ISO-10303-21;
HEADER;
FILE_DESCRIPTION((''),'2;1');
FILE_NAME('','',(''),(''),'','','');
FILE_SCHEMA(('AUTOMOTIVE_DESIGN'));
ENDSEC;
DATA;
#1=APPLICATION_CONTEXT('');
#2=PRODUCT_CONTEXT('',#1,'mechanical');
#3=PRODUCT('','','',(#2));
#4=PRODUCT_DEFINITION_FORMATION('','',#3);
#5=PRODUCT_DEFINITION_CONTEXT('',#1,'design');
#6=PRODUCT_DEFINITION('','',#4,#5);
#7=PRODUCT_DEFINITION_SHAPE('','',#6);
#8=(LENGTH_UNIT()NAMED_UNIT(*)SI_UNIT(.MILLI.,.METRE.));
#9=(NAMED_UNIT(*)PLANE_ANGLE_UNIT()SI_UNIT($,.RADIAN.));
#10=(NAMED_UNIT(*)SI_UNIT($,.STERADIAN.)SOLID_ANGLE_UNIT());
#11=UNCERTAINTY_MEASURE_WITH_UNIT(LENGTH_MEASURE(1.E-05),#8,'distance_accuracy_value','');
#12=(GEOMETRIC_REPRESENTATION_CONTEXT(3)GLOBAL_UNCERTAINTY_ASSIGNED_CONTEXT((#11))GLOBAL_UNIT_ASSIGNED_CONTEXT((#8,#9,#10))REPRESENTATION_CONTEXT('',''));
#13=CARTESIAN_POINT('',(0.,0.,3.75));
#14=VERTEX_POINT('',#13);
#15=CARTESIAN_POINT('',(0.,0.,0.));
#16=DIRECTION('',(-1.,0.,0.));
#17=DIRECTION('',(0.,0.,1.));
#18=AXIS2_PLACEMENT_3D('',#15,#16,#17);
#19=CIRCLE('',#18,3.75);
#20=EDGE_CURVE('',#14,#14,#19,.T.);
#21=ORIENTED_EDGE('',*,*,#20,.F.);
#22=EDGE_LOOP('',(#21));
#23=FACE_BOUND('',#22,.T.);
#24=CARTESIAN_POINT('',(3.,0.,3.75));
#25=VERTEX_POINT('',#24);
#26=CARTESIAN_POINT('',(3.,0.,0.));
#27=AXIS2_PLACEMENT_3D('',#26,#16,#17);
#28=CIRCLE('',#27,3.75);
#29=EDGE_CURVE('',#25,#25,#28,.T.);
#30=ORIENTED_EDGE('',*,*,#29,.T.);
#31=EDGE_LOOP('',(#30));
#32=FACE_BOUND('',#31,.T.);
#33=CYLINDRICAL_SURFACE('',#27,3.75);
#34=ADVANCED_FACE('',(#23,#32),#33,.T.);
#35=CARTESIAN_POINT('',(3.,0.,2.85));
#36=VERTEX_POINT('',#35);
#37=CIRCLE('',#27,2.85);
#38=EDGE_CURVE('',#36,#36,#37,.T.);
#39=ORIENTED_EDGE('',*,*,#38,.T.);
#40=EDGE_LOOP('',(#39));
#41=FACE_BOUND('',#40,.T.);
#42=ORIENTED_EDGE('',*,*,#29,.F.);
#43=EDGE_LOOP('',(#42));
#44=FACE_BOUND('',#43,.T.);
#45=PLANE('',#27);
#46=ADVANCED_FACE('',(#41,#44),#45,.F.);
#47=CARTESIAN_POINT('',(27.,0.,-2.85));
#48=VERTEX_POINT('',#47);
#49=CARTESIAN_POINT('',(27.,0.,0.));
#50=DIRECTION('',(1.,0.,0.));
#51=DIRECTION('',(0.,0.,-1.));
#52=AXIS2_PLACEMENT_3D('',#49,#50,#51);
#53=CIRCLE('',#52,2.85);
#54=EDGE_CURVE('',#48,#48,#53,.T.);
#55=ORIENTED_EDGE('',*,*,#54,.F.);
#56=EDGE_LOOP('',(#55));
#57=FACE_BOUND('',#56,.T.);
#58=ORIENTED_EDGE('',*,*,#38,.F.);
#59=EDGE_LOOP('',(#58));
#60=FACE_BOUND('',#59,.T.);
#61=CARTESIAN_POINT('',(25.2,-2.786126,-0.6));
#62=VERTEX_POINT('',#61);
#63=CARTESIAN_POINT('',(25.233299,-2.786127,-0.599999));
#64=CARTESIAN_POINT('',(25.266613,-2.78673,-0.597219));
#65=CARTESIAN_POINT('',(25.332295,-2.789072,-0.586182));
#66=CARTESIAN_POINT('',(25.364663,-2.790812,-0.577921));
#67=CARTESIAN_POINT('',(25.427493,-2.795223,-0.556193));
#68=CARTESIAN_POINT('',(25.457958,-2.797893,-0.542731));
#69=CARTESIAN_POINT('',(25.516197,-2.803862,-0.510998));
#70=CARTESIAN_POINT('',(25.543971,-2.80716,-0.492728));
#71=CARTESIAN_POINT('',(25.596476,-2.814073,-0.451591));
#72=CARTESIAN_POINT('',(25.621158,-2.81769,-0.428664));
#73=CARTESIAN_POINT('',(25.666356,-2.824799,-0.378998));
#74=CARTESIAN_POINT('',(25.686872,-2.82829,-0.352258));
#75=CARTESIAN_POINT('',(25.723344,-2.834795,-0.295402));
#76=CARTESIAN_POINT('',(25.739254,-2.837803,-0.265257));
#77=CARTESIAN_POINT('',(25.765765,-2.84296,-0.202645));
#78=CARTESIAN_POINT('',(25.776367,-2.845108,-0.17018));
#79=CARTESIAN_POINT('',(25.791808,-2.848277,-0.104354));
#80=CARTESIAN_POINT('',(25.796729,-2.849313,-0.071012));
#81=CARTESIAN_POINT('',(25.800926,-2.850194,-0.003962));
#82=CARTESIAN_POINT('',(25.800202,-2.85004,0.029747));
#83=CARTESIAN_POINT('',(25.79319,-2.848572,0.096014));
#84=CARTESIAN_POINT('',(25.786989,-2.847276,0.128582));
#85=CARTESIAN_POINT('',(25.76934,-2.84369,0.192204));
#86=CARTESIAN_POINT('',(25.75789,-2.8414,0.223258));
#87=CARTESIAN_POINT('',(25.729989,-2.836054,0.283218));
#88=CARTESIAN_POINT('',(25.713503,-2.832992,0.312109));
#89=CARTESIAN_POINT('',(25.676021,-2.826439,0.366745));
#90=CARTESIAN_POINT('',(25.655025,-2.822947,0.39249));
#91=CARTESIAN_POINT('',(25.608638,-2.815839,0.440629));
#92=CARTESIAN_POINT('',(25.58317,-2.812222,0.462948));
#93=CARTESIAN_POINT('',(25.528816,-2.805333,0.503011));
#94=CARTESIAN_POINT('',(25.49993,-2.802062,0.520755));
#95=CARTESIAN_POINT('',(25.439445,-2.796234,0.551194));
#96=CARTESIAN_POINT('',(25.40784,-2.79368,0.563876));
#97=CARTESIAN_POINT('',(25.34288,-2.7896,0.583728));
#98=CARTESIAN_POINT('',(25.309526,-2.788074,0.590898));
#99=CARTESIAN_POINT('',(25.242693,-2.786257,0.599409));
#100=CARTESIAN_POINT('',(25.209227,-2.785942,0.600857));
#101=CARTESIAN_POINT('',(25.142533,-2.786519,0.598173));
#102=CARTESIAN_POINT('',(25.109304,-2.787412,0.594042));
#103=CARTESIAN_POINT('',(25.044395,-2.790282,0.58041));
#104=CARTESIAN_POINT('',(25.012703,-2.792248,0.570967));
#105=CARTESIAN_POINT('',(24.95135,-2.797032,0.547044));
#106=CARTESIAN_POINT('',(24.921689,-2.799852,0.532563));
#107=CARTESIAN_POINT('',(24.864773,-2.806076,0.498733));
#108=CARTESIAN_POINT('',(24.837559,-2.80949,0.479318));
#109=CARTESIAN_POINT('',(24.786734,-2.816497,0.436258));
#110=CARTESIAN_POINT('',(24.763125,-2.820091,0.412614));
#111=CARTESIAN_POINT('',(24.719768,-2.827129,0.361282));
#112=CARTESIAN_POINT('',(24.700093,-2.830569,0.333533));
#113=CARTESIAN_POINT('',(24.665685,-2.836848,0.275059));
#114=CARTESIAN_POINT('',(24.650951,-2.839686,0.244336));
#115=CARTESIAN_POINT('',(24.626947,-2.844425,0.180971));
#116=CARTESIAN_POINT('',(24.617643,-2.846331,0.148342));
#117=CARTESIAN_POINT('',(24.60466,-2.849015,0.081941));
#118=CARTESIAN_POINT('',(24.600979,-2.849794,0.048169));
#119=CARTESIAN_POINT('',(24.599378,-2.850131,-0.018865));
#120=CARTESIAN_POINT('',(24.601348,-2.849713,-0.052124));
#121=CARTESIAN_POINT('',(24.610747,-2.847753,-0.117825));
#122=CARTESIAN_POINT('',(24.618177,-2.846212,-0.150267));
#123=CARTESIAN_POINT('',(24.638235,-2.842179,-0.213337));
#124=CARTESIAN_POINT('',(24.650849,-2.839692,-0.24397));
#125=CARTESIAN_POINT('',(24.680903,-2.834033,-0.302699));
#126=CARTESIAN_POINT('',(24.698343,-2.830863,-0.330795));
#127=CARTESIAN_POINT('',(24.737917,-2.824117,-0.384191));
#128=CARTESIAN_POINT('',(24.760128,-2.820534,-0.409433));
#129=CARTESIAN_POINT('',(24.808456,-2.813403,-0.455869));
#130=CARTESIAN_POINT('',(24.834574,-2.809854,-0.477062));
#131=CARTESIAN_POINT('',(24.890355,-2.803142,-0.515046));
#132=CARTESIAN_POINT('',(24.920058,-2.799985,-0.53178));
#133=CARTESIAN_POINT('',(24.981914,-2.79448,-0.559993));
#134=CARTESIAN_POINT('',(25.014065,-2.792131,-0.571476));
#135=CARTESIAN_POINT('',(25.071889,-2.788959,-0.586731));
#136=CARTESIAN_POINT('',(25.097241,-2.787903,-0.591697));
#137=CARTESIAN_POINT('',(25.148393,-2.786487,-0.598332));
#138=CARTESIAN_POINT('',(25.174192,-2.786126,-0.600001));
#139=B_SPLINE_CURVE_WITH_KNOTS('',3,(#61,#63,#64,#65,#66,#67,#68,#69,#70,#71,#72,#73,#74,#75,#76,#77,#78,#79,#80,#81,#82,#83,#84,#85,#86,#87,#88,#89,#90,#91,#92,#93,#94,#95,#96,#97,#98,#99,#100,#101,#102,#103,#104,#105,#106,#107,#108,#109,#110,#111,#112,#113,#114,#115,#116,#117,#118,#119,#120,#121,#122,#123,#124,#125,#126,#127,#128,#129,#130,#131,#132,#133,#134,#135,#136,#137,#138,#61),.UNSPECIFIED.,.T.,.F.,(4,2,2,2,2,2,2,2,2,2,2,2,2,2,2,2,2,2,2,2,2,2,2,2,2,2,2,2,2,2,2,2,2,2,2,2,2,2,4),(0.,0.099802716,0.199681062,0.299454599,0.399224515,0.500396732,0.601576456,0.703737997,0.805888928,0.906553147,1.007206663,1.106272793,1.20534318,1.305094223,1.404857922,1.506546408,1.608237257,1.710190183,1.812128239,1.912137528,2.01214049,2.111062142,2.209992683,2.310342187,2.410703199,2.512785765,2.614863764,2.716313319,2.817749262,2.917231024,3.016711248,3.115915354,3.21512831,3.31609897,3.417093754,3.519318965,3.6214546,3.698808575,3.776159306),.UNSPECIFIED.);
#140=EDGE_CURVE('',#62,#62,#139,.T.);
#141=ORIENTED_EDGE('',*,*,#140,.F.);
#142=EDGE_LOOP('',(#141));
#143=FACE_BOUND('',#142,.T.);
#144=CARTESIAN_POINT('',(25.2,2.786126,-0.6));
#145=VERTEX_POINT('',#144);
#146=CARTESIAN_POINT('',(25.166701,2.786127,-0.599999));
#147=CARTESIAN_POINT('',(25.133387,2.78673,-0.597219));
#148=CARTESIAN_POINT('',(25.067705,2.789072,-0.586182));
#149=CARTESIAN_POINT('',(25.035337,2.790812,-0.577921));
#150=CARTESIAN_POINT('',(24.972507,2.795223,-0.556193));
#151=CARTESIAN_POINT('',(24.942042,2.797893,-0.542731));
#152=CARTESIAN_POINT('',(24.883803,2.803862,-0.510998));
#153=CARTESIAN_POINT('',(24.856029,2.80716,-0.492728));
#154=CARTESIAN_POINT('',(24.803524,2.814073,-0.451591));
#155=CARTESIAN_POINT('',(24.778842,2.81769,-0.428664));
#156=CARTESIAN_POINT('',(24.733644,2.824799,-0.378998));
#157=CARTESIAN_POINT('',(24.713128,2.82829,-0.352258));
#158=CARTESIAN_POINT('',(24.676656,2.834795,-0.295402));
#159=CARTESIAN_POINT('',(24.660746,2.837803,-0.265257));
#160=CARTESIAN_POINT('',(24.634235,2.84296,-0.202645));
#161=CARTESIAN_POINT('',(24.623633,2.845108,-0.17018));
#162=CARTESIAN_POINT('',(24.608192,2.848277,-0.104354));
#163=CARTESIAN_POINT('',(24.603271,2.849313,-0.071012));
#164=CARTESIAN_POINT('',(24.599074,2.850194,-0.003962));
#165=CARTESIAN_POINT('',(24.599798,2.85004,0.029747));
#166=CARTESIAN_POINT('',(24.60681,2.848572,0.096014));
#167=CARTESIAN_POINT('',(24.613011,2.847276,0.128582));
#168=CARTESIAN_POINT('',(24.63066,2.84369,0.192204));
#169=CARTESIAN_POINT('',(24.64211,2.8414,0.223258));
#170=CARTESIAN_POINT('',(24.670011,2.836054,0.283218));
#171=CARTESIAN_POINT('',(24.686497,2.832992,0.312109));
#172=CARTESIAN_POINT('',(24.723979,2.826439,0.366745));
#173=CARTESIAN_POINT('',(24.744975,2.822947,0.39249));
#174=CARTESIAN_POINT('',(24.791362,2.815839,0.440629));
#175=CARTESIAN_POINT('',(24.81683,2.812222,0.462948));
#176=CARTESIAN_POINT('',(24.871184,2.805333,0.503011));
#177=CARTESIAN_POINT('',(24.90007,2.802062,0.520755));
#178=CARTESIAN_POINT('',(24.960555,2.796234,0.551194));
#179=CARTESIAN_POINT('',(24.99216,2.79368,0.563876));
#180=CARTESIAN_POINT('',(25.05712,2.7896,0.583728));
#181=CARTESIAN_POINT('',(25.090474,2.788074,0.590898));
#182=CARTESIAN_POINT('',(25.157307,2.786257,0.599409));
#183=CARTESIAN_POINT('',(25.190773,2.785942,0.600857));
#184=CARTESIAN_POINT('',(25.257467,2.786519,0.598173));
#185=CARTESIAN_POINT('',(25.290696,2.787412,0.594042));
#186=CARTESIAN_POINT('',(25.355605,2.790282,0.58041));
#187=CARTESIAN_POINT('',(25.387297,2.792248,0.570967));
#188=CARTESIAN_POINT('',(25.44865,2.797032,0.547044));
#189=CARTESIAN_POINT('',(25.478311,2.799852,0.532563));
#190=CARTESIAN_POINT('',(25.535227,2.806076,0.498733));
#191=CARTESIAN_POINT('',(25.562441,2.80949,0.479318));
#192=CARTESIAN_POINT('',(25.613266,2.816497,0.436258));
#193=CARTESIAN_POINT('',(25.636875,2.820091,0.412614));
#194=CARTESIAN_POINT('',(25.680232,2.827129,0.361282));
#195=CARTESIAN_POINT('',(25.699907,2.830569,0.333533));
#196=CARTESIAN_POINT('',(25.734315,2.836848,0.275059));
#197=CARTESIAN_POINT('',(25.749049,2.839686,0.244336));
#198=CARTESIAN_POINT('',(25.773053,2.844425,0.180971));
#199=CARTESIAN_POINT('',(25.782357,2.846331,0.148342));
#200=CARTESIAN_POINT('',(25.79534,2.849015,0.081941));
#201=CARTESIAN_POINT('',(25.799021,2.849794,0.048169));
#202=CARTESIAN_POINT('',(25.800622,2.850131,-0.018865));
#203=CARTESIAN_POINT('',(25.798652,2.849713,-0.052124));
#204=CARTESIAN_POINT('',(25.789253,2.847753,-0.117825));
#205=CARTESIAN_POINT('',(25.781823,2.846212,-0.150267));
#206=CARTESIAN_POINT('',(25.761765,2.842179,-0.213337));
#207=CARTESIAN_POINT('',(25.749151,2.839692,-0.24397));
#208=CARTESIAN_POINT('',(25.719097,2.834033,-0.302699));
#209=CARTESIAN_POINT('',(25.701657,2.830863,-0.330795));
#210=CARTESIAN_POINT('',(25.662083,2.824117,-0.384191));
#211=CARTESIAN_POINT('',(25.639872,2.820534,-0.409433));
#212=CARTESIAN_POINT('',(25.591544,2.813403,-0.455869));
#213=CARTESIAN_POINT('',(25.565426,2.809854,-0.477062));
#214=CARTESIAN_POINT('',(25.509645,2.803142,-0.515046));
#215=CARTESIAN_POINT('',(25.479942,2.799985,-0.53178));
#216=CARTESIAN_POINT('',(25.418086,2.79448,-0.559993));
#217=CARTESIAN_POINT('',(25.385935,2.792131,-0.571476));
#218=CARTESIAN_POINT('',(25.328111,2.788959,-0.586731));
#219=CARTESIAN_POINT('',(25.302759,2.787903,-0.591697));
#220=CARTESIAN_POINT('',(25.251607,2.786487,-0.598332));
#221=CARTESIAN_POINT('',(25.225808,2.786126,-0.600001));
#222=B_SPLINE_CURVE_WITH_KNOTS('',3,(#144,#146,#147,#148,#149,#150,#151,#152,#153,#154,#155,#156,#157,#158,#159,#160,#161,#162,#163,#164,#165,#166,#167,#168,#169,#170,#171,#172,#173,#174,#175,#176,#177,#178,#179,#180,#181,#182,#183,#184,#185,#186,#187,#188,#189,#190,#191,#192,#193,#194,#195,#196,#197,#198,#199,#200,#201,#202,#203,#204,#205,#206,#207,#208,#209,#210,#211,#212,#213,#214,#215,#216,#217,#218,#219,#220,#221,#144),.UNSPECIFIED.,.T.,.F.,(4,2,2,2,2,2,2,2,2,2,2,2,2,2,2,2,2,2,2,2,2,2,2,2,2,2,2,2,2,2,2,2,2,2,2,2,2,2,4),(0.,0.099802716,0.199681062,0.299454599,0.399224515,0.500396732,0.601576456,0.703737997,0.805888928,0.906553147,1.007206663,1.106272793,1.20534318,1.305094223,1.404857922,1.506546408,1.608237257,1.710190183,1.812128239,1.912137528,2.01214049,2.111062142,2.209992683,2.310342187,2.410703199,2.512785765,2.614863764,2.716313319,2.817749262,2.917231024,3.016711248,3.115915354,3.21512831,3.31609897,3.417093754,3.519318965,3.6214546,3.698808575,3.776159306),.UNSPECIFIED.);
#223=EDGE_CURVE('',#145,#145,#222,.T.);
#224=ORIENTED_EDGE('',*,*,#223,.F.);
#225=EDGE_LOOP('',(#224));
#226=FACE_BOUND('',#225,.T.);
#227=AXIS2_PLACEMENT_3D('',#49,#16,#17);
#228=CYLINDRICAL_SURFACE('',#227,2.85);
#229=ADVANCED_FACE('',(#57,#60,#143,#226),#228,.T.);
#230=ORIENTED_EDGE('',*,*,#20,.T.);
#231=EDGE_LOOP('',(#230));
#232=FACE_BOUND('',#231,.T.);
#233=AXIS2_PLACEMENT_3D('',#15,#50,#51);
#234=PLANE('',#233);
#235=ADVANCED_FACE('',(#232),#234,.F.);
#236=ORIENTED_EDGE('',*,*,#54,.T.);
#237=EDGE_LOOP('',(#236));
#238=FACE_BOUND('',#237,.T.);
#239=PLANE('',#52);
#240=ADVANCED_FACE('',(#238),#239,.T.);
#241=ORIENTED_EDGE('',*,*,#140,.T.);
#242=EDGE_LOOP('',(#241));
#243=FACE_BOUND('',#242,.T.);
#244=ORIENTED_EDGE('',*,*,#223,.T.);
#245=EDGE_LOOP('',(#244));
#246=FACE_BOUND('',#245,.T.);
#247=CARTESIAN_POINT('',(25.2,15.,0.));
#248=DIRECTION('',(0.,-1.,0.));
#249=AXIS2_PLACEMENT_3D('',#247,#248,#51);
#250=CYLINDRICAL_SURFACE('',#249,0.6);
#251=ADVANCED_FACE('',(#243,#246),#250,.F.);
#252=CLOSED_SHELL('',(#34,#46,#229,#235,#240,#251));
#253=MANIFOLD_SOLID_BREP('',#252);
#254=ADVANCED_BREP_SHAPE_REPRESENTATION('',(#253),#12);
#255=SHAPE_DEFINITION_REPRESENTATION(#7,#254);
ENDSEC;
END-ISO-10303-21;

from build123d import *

# Parameters (mm, degrees)
SKETCH1_R               = 1.9
BOSS_EXTRUDE1_DEPTH     = 18
CUT_EXTRUDE1_DEPTH      = 10
CUT_EXTRUDE1_DEPTH_BACK = 10
SKETCH2_R               = 0.4
SKETCH3_R               = 2.5
BOSS_EXTRUDE2_DEPTH     = 2
SCALE1_SCALE            = 1.5


with BuildPart() as part:
    # Sketch1 → Boss-Extrude1 (new body)
    with BuildSketch(Plane(origin=(0, 0, 0), x_dir=(0, 0, -1), z_dir=(1, 0, 0))):
        Circle(SKETCH1_R)
    extrude(amount=BOSS_EXTRUDE1_DEPTH)

    # Sketch2 → Cut-Extrude1 (cut, two sides: drawn at the far end of the back side and taken through both)
    with BuildSketch(Plane(origin=(0, 0, 0), x_dir=(1, 0, 0), z_dir=(0, 1, 0)).offset(-CUT_EXTRUDE1_DEPTH_BACK)):
        with Locations((16.8, 0)):
            Circle(SKETCH2_R)
    extrude(amount=CUT_EXTRUDE1_DEPTH + CUT_EXTRUDE1_DEPTH_BACK, mode=Mode.SUBTRACT)

    # Sketch3 → Boss-Extrude2 (add)
    with BuildSketch(Plane.ZY):
        Circle(SKETCH3_R)
    extrude(amount=-BOSS_EXTRUDE2_DEPTH)


with BuildPart() as part_1:
    # Scale1: scaled about (0, 0, 0)
    add(part.part.scale(SCALE1_SCALE))


solid = part_1.part
